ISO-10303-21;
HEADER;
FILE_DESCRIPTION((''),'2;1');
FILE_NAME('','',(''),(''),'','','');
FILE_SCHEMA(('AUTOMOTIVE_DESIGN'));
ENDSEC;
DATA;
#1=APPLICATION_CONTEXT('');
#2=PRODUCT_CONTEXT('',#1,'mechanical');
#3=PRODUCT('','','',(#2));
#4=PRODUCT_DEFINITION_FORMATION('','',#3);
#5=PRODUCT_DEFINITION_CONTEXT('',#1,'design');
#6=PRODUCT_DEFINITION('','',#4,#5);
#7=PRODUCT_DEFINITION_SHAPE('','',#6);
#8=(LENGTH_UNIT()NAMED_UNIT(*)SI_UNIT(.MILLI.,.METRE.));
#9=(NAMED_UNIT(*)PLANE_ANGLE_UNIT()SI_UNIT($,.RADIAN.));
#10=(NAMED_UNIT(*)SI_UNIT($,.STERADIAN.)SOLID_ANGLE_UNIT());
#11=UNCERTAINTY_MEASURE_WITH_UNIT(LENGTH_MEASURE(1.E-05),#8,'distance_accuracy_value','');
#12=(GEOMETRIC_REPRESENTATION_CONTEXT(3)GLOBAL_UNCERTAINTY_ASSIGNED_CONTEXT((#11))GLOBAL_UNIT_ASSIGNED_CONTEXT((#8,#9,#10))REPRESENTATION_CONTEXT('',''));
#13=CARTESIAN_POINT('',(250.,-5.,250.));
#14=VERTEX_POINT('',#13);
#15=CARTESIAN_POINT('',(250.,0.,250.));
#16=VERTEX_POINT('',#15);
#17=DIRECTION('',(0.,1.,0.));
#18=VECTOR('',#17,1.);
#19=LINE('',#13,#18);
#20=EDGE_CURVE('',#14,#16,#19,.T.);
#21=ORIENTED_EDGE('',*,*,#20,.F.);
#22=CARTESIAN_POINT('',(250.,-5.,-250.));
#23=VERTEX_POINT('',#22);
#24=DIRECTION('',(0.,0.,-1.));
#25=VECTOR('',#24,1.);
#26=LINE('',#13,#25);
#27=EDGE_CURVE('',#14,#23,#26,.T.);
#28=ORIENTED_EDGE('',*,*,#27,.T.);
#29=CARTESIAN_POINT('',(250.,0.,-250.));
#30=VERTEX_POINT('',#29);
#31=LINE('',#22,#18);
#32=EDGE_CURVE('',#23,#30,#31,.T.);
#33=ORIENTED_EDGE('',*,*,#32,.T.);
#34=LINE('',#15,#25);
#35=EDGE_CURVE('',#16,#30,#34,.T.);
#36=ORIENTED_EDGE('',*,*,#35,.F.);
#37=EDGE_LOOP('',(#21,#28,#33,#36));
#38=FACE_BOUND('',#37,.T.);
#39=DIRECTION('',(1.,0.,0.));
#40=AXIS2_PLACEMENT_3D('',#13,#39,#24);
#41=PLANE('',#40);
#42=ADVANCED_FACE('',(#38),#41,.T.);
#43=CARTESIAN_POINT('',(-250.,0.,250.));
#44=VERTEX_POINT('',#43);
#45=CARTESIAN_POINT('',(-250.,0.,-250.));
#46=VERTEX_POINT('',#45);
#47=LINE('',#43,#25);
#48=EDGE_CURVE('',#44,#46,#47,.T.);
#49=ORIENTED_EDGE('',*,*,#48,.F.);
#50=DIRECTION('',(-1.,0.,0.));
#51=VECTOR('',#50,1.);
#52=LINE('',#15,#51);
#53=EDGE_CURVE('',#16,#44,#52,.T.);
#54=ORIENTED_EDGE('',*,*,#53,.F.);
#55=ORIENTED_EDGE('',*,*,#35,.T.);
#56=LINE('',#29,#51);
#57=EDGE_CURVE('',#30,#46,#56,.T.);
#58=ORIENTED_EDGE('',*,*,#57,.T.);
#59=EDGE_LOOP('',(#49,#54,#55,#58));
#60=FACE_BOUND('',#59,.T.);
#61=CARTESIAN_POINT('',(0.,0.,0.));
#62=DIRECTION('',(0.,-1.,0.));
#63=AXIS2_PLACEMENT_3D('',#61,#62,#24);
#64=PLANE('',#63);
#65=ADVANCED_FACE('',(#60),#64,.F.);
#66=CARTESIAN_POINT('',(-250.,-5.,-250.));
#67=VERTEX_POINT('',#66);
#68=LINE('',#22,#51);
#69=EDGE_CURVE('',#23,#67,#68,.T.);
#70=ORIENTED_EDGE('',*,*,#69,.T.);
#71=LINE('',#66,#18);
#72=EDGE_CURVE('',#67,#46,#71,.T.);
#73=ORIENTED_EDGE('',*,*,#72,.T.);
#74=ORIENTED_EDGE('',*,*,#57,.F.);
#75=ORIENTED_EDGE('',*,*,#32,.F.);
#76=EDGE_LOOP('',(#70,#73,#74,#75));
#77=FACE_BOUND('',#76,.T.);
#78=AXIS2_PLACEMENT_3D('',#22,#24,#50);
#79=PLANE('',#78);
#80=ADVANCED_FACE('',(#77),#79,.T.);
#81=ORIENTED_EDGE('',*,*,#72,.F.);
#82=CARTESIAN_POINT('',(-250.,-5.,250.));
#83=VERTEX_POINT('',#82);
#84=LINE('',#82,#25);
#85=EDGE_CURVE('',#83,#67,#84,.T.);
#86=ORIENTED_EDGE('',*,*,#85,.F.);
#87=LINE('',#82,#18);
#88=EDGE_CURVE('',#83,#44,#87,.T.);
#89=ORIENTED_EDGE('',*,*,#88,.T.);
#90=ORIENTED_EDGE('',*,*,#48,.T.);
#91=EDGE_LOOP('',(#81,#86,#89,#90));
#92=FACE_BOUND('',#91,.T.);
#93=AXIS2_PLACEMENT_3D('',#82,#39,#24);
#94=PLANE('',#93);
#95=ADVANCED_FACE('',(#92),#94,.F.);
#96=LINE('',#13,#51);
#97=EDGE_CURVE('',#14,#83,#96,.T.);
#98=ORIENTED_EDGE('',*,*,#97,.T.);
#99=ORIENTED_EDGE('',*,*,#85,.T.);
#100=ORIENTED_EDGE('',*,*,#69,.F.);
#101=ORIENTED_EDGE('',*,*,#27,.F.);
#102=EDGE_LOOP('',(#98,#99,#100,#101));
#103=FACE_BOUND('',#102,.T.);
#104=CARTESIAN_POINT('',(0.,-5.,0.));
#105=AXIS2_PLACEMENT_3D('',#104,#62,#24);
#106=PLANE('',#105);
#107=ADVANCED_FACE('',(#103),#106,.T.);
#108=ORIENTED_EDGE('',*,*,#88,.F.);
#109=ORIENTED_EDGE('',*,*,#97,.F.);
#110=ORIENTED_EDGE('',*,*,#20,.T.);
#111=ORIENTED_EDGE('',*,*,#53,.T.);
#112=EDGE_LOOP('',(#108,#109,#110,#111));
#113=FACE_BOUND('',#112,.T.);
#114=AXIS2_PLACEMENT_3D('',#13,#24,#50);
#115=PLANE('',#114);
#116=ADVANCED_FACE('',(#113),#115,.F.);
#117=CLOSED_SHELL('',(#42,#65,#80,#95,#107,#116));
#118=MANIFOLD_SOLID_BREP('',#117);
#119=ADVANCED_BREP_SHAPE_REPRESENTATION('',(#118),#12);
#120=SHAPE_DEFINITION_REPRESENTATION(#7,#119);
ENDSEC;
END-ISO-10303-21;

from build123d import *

# Parameters (mm, degrees)
SKETCH1_W           = 500
SKETCH1_H           = 500
BOSS_EXTRUDE1_DEPTH = 5


with BuildPart() as part:
    # Sketch1 → Boss-Extrude1 (new body)
    with BuildSketch(Plane(origin=(0, 0, 0), x_dir=(1, 0, 0), z_dir=(0, 1, 0))):
        Rectangle(SKETCH1_W, SKETCH1_H)
    extrude(amount=-BOSS_EXTRUDE1_DEPTH)


solid = part.part
